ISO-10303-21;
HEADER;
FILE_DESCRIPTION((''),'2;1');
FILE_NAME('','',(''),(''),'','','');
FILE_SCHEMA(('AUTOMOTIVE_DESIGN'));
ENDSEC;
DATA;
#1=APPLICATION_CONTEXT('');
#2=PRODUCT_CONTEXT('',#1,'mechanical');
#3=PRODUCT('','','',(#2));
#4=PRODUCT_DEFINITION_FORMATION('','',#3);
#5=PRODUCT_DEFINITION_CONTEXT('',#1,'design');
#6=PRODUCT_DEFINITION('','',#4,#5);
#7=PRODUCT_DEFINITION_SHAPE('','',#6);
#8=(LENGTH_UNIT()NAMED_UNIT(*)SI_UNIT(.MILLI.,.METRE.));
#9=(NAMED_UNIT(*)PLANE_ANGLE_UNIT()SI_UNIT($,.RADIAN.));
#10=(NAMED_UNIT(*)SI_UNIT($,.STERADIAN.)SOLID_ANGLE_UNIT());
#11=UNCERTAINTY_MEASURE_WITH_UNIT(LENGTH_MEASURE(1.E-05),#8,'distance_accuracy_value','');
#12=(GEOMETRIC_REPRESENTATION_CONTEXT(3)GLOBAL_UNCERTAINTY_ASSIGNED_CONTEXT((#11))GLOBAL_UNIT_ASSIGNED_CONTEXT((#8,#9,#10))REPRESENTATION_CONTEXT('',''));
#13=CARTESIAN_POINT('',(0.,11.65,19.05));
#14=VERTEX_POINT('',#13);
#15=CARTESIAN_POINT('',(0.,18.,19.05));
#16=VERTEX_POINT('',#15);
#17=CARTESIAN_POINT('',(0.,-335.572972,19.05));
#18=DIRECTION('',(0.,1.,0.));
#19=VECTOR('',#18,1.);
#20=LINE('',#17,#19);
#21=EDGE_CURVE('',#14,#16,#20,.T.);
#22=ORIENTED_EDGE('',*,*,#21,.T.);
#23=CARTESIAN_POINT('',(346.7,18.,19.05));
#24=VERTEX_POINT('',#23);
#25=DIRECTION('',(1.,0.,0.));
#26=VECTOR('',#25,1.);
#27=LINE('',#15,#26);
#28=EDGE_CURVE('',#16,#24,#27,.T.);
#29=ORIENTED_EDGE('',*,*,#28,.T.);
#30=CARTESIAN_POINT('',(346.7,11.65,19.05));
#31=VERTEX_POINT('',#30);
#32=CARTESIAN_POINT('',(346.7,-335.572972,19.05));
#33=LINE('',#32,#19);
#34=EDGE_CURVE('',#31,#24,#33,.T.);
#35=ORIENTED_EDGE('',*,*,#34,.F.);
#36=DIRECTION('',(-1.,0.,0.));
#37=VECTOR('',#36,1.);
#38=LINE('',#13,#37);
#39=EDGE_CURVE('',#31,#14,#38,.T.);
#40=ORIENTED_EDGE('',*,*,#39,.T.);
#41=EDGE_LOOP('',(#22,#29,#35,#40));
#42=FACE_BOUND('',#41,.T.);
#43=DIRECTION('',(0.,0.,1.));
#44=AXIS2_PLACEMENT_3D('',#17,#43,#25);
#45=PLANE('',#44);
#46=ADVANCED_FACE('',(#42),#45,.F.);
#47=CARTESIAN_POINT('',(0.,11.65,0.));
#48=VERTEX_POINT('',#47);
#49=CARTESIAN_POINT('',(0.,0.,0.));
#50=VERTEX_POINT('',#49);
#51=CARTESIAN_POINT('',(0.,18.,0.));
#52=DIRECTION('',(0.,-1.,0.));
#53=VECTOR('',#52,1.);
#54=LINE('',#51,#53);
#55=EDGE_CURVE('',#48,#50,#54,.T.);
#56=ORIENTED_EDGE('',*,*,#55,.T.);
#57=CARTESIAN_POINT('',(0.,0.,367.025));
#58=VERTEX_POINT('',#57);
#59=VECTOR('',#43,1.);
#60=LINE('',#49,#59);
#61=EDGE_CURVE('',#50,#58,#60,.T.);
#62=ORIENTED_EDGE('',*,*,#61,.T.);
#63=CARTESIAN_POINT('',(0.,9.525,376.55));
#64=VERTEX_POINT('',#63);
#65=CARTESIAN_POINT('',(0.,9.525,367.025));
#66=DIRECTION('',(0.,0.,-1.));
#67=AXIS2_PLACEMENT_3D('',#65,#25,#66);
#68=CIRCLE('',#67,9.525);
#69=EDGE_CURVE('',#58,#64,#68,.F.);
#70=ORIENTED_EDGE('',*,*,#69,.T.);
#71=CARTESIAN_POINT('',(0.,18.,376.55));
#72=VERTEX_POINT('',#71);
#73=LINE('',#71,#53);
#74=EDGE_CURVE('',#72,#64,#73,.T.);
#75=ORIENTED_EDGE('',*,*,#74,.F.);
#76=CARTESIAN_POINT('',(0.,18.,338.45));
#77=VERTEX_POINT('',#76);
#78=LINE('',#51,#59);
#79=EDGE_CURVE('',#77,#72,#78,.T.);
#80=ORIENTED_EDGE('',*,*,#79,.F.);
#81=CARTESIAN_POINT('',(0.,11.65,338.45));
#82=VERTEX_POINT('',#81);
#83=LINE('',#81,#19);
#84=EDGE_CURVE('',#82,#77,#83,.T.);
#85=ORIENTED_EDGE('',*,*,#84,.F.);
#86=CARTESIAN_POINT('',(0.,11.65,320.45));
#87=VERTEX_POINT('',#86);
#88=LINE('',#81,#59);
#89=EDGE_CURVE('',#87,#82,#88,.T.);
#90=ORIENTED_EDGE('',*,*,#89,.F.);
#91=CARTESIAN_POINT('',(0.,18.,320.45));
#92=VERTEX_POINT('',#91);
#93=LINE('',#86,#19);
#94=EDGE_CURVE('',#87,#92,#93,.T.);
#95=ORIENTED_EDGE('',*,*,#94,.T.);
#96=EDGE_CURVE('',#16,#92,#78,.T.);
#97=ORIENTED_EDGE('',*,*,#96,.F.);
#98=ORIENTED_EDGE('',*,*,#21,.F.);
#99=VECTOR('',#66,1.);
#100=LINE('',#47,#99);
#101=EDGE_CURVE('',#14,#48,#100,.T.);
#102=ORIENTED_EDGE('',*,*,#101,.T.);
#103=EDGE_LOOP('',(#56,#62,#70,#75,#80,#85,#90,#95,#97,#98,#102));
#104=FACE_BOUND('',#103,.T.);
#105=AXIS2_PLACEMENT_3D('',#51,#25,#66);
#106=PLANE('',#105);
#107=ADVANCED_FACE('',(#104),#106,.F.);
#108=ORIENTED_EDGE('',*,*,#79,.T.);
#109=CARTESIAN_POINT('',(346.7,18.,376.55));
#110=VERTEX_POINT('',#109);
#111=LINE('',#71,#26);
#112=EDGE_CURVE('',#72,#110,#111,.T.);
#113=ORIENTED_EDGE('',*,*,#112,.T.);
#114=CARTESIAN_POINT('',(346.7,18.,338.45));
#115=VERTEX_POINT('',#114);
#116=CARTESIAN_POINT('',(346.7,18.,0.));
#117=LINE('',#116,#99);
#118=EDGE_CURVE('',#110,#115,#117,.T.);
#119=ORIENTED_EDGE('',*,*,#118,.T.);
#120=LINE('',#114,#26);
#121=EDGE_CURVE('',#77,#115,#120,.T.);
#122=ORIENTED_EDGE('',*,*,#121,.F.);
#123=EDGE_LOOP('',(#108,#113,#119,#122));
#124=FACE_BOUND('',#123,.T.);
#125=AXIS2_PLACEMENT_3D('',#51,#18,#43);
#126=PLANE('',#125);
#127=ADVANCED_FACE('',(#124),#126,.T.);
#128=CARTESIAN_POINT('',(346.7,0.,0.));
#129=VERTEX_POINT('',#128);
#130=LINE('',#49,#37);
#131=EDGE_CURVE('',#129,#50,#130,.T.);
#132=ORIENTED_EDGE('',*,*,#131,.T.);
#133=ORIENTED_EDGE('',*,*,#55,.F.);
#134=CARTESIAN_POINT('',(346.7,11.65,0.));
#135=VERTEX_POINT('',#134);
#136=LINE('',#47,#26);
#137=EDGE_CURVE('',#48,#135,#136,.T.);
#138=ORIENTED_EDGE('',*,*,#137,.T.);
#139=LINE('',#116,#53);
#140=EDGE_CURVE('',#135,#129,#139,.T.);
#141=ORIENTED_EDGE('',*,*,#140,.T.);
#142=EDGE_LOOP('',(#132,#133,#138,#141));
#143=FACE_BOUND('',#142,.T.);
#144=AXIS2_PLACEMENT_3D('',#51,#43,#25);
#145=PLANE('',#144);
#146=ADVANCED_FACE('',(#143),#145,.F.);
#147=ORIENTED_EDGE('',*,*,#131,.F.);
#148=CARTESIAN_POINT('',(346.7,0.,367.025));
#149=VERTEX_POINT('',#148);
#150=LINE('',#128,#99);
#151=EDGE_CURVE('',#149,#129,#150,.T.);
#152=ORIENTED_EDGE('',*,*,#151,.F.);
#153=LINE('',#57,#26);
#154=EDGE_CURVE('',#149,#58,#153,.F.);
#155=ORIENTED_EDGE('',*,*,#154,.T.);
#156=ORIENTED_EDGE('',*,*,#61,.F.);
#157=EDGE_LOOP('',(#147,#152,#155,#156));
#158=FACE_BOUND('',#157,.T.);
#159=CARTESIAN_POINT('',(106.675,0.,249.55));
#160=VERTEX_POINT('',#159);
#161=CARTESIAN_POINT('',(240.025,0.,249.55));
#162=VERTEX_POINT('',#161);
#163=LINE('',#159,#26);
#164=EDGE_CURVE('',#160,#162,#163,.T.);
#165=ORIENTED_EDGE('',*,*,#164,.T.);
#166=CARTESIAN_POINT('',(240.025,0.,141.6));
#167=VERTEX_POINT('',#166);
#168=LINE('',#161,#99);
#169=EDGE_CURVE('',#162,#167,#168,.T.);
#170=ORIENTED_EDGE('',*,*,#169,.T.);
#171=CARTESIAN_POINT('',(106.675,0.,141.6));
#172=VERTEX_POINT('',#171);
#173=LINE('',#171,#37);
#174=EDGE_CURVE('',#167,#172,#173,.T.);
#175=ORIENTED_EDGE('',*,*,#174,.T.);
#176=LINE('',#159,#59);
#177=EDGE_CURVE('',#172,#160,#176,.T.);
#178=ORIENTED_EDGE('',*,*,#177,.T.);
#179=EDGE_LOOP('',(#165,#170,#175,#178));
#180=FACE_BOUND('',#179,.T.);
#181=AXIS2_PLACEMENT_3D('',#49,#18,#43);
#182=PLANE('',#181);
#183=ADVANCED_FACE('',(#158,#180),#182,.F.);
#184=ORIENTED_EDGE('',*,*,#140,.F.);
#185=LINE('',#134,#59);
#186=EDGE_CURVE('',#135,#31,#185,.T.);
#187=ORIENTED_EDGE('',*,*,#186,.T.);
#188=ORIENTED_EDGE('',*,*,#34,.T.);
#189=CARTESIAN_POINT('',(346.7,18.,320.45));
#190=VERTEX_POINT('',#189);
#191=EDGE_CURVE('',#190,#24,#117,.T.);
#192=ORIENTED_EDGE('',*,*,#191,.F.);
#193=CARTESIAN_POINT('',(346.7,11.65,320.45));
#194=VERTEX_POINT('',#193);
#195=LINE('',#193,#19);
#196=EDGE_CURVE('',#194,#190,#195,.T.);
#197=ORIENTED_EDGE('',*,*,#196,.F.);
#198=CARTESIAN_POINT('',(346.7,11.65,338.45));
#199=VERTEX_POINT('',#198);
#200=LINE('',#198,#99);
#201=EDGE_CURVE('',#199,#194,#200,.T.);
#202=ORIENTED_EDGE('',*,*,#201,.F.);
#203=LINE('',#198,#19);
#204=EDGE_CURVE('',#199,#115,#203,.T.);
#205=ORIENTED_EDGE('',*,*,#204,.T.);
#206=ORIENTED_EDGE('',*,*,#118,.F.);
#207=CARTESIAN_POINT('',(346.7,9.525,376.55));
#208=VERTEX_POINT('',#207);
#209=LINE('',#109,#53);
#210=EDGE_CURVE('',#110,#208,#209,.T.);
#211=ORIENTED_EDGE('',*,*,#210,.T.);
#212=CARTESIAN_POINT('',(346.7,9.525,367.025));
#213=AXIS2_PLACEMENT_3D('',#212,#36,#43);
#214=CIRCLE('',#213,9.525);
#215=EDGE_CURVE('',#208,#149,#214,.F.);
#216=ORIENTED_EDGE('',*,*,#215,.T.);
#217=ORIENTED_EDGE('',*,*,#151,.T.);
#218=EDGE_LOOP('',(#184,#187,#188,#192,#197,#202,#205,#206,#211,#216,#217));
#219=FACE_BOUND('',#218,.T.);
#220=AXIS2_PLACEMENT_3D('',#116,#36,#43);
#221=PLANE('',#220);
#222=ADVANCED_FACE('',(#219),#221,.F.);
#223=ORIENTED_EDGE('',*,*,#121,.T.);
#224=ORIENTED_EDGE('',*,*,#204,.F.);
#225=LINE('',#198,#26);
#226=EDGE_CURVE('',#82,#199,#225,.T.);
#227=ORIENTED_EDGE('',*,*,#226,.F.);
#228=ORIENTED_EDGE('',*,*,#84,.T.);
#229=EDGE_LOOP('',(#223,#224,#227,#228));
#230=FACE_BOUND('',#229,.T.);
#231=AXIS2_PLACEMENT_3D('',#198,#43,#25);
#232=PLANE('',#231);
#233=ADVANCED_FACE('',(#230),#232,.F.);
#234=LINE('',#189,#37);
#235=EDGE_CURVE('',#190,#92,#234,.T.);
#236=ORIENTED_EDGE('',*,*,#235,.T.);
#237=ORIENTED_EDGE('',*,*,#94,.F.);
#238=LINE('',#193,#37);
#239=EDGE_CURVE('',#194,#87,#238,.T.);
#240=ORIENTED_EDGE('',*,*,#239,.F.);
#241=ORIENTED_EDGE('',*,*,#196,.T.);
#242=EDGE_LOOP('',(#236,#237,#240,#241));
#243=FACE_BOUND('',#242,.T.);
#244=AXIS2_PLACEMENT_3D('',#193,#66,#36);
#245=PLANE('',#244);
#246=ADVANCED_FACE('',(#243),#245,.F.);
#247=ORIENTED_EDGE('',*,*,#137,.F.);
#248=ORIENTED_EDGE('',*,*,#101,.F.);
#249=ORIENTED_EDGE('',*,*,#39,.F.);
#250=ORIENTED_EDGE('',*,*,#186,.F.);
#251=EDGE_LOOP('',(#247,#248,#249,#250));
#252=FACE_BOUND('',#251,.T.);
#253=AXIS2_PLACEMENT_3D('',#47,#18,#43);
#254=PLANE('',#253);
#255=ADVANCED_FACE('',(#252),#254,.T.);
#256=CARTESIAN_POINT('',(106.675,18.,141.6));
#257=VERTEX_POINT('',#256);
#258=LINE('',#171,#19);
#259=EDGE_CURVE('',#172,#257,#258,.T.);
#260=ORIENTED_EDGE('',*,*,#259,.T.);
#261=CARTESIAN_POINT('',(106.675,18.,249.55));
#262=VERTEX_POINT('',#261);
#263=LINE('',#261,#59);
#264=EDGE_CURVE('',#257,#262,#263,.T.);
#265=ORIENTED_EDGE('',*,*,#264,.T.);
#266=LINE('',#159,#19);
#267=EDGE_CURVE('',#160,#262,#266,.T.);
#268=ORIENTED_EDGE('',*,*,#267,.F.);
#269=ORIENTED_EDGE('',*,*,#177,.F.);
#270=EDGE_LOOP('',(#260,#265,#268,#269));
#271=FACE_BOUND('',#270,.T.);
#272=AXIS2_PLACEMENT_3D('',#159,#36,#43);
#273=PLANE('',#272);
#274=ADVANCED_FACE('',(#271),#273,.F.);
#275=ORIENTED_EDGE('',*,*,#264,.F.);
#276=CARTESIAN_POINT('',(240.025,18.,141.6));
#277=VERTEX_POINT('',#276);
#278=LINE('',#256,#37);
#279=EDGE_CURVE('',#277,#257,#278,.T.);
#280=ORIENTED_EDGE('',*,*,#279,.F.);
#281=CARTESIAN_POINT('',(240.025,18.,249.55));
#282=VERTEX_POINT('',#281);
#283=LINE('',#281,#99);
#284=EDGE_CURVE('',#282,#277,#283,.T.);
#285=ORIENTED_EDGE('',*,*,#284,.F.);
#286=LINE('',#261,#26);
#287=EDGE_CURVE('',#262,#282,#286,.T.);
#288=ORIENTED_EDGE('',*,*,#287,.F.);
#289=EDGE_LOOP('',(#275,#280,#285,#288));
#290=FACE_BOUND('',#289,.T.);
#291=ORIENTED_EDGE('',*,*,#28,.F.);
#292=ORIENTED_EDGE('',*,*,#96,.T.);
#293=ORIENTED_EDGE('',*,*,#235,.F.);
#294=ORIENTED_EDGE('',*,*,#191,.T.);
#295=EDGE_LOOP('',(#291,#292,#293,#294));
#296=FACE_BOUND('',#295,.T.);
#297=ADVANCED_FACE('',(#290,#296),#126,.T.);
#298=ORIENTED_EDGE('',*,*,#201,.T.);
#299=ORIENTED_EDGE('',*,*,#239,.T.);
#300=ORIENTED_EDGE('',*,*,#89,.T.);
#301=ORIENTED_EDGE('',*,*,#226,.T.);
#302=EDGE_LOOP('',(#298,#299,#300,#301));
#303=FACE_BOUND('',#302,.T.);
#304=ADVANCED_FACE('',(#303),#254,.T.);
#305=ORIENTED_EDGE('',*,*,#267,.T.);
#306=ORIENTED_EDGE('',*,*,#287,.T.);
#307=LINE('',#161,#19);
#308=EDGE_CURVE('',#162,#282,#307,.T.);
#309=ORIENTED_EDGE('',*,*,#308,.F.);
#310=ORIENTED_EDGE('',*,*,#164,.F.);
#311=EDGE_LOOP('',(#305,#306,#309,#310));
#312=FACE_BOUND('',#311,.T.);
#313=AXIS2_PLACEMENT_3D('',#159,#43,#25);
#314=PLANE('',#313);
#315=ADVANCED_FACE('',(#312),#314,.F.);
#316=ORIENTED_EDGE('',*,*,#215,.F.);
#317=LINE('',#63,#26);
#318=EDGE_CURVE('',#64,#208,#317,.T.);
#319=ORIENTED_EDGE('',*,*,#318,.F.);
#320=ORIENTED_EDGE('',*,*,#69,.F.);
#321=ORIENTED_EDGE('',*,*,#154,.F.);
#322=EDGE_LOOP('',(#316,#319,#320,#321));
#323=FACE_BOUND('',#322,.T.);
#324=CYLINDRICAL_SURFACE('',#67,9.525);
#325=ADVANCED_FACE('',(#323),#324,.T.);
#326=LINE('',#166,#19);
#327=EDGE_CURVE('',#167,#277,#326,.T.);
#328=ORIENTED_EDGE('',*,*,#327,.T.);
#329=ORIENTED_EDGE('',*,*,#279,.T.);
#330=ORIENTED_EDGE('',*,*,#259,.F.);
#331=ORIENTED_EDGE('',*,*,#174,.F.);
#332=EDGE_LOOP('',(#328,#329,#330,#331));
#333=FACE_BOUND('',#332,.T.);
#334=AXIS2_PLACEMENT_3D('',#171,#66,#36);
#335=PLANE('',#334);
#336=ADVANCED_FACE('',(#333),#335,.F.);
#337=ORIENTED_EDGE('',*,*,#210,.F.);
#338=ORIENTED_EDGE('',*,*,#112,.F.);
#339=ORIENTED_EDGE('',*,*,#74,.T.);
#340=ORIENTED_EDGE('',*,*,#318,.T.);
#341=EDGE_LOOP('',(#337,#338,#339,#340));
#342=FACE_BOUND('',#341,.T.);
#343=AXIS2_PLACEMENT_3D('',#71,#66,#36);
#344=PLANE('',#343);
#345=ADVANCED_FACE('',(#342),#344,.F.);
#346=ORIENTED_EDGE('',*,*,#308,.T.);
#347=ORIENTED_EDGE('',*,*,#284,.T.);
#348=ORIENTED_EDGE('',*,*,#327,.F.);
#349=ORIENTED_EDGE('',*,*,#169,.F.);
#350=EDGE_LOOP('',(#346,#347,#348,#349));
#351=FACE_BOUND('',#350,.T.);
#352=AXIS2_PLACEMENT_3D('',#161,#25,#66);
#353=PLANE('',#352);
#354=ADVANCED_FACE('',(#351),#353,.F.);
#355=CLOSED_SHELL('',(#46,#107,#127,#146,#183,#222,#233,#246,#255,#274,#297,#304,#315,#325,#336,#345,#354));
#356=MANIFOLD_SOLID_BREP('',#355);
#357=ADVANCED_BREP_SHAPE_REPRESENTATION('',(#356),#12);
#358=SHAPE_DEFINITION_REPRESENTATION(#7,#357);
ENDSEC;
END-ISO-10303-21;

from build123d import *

# Parameters (mm, degrees)
SKETCH1_W           = 346.7
SKETCH1_H           = 376.55000001
BOSS_EXTRUDE1_DEPTH = 18
SKETCH2_W           = 346.7
SKETCH2_H           = 18
CUT_EXTRUDE1_DEPTH  = 6.35
SKETCH3_W           = 133.35
SKETCH3_H           = 107.95
CUT_EXTRUDE3_DEPTH  = 19
FILLET1_R           = 9.525
SKETCH6_W           = 346.7
SKETCH6_H           = 19.05
CUT_EXTRUDE4_DEPTH  = 6.35


with BuildPart() as part:
    # Sketch1 → Boss-Extrude1 (new body)
    with BuildSketch(Plane(origin=(0, 0, 0), x_dir=(1, 0, 0), z_dir=(0, 1, 0))):
        with Locations((173.35, -188.275000005)):
            Rectangle(SKETCH1_W, SKETCH1_H)
    extrude(amount=BOSS_EXTRUDE1_DEPTH)

    # Sketch2 → Cut-Extrude1 (cut)
    with BuildSketch(Plane(origin=(0, 18, 0), x_dir=(1, 0, 0), z_dir=(0, 1, 0))):
        with Locations((173.35, -329.45000001)):
            Rectangle(SKETCH2_W, SKETCH2_H)
    extrude(amount=-CUT_EXTRUDE1_DEPTH, mode=Mode.SUBTRACT)

    # Sketch3 → Cut-Extrude3 (cut, through all)
    with BuildSketch(Plane(origin=(0, 18, 0), x_dir=(1, 0, 0), z_dir=(0, 1, 0))):
        with Locations((173.35, -195.57500001)):
            Rectangle(SKETCH3_W, SKETCH3_H)
    extrude(amount=-CUT_EXTRUDE3_DEPTH, mode=Mode.SUBTRACT)

    # Fillet1
    fillet1_edges = [part.edges().sort_by_distance(p)[0] for p in [
        (173.35, 0, 376.55000001),
    ]]
    fillet(fillet1_edges, radius=FILLET1_R)

    # Sketch6 → Cut-Extrude4 (cut)
    with BuildSketch(Plane(origin=(0, 18, 0), x_dir=(1, 0, 0), z_dir=(0, 1, 0))):
        with Locations((173.35, -9.525)):
            Rectangle(SKETCH6_W, SKETCH6_H)
    extrude(amount=-CUT_EXTRUDE4_DEPTH, mode=Mode.SUBTRACT)


solid = part.part
